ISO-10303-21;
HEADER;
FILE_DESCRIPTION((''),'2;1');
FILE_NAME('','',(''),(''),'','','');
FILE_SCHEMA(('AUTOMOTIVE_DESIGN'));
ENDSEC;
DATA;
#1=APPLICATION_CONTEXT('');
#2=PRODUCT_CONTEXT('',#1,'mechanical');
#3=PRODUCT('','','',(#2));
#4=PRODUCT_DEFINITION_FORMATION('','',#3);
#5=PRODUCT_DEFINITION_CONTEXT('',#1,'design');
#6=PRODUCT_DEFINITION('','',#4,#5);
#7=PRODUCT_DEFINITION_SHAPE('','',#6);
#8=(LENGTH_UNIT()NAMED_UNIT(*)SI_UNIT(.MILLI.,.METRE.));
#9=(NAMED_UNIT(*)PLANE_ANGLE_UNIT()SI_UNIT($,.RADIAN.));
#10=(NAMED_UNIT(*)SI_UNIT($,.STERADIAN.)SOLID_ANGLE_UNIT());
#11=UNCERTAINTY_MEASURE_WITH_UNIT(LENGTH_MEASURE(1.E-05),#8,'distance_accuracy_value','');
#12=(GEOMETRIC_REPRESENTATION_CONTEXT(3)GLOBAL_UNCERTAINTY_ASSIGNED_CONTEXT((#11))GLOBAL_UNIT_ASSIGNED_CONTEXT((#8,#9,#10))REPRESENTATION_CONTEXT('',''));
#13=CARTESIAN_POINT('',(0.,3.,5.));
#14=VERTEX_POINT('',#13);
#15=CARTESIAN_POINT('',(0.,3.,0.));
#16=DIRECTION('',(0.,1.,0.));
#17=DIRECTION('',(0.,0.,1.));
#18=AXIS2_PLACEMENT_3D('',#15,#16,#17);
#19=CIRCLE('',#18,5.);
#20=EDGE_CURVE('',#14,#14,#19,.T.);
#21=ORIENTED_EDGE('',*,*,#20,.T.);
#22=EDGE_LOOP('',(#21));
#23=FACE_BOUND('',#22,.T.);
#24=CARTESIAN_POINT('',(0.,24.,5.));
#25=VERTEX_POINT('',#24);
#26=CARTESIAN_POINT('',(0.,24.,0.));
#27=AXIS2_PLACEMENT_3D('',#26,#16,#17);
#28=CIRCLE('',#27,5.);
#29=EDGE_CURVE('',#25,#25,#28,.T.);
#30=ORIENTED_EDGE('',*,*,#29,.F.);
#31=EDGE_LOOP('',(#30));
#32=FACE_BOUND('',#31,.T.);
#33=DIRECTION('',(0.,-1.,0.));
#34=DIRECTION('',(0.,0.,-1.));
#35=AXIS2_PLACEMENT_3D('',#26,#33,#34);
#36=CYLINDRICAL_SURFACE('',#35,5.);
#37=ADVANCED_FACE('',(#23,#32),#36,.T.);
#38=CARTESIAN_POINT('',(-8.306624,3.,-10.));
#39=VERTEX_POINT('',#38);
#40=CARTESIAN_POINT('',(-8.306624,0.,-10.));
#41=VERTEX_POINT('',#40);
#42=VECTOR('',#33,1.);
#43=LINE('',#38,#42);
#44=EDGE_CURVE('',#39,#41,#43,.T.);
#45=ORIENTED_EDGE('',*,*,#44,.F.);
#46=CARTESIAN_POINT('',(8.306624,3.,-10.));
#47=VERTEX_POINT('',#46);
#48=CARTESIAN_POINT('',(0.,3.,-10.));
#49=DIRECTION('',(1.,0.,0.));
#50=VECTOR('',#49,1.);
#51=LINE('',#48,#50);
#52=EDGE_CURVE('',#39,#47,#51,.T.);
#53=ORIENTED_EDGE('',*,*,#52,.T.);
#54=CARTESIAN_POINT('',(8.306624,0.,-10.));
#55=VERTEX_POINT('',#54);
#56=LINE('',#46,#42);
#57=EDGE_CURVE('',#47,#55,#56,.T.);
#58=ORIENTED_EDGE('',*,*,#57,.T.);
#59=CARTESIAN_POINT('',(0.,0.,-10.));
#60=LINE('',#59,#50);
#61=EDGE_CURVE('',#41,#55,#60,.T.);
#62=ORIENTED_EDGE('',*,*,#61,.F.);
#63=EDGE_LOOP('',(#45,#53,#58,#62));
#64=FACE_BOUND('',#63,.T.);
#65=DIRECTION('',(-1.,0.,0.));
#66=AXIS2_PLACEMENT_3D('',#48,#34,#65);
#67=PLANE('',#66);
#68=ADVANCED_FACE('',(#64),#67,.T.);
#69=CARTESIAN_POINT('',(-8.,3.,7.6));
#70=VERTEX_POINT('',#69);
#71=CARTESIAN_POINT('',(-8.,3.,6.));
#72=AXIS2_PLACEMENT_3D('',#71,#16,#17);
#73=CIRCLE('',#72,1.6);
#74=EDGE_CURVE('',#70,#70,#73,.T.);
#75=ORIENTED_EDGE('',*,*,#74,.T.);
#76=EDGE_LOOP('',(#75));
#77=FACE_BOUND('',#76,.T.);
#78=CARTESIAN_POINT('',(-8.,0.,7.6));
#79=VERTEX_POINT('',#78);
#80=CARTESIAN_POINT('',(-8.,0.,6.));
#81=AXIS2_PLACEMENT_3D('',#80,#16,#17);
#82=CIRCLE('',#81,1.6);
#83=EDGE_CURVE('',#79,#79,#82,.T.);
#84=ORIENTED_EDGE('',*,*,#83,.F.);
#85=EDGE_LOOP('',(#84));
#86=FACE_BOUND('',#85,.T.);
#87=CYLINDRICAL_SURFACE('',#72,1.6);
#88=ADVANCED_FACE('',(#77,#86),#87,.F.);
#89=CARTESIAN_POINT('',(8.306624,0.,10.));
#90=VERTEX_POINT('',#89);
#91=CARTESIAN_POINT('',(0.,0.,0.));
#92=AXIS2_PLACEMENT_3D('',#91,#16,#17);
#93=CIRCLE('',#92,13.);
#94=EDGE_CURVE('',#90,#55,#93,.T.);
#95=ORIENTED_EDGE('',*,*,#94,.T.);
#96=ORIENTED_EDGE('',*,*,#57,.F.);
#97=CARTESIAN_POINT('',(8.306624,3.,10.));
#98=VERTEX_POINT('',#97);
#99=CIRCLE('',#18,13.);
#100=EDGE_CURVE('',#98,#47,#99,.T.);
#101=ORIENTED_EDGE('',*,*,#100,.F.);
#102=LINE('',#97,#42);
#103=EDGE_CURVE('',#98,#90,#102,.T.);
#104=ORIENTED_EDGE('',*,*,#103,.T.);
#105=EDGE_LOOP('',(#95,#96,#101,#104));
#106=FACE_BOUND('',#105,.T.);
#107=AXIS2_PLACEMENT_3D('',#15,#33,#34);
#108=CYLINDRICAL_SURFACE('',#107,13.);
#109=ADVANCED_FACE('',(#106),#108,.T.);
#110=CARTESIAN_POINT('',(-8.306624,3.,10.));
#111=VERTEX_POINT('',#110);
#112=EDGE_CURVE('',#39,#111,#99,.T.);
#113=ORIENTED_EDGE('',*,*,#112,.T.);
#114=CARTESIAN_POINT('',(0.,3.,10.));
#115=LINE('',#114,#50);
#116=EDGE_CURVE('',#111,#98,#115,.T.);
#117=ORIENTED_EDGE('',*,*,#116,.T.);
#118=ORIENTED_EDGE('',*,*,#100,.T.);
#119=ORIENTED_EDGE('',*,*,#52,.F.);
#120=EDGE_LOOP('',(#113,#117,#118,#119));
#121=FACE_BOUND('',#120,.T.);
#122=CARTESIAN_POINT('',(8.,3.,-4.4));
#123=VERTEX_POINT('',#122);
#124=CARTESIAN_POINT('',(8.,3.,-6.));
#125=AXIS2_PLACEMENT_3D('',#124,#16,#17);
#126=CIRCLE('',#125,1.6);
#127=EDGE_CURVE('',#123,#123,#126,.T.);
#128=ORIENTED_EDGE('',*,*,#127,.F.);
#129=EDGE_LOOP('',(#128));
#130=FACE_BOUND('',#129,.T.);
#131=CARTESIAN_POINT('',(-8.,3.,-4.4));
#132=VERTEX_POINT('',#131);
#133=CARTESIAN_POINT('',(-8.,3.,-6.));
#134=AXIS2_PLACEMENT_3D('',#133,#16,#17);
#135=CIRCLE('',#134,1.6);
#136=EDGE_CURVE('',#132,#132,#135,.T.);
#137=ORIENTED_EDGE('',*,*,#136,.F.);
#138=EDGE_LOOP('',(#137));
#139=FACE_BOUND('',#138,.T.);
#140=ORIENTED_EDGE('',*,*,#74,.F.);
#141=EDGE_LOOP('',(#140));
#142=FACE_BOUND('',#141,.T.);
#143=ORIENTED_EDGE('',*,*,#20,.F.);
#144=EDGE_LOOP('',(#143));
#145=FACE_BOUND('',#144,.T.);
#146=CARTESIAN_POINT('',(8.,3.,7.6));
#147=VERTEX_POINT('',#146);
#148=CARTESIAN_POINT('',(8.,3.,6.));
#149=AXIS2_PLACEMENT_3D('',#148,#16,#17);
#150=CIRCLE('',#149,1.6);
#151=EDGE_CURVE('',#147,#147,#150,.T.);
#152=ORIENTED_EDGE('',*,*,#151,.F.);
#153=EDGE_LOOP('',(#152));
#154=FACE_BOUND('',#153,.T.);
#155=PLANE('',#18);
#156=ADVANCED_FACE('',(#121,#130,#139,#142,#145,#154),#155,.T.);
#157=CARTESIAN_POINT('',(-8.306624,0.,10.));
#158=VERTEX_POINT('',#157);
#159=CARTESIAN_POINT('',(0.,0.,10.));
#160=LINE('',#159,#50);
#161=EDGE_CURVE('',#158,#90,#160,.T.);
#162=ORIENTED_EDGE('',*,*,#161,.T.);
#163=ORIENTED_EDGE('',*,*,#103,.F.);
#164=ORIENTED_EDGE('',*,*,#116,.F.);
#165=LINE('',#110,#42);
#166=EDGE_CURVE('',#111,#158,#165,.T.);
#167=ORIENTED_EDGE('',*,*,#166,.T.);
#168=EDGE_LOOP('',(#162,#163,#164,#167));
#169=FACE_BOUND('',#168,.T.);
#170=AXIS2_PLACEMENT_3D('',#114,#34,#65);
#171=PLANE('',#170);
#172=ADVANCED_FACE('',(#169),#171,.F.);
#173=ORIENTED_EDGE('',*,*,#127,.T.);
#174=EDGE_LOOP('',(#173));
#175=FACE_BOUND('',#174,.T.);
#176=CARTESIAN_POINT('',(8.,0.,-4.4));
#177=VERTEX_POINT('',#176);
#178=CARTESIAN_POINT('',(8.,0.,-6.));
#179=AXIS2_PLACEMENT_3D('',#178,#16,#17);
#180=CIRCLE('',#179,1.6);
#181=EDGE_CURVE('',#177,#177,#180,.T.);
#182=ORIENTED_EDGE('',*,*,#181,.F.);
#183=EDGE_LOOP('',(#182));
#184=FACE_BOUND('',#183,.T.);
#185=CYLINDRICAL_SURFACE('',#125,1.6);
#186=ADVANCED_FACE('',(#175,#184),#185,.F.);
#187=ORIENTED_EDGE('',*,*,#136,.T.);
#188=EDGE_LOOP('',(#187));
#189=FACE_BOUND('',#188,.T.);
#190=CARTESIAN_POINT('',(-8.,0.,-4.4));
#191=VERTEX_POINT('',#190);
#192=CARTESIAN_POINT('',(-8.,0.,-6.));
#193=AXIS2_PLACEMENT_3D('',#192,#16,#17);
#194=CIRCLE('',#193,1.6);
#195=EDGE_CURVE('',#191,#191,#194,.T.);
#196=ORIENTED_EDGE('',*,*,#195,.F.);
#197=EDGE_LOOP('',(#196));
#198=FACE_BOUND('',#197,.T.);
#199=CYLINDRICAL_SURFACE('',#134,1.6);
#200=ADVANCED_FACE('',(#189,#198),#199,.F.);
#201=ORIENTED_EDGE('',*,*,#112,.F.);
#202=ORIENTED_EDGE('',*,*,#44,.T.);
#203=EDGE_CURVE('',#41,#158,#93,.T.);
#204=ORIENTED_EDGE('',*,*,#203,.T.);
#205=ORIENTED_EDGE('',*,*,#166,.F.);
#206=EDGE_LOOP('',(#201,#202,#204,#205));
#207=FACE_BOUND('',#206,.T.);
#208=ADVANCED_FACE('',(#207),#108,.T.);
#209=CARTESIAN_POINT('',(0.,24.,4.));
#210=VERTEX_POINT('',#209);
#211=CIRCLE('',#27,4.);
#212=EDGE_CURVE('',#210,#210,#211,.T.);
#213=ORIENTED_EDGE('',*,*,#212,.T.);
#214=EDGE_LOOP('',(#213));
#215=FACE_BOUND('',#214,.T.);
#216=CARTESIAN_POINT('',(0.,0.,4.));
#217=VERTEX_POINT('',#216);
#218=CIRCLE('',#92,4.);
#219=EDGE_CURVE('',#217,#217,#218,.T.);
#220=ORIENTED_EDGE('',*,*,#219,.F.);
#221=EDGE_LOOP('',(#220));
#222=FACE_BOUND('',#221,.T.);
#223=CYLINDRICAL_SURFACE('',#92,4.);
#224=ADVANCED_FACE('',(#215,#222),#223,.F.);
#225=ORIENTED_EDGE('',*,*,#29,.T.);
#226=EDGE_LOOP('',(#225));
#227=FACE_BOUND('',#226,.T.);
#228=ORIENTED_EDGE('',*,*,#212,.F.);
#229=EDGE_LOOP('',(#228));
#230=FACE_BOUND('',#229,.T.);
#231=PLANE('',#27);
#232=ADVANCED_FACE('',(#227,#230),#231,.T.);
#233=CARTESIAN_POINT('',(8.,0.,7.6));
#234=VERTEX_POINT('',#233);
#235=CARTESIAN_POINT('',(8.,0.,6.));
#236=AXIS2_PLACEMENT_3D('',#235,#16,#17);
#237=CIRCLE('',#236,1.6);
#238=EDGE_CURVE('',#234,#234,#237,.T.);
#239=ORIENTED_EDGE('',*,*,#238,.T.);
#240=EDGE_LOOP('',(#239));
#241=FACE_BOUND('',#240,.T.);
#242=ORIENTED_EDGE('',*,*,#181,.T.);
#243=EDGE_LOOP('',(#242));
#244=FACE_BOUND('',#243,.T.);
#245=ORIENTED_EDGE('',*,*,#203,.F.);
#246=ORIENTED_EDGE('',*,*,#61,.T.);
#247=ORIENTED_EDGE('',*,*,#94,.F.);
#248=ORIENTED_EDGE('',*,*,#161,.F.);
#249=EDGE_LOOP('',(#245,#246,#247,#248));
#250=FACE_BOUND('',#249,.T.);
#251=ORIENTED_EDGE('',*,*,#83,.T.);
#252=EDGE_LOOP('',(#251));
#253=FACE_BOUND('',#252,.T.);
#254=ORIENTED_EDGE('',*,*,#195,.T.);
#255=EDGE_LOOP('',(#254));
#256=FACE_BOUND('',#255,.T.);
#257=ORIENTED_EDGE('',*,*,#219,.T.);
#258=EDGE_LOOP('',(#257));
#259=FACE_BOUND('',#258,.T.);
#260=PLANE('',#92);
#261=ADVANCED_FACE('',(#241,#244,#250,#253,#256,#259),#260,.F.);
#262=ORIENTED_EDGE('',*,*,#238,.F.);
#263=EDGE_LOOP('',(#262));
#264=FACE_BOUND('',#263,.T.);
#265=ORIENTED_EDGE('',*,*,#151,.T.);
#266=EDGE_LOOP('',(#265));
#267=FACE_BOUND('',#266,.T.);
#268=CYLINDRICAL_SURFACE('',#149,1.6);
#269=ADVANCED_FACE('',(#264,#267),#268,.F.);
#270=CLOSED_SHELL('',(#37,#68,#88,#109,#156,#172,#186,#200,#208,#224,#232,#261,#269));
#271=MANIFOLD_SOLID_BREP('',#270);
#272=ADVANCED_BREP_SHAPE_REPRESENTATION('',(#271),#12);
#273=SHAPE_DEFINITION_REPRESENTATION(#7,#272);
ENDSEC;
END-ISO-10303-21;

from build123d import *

# Parameters (mm, degrees)
SKETCH1_R                  = 5
BOSS_EXTRUDE1_DEPTH        = 24
BOSS_EXTRUDE2_DEPTH        = 3
SKETCH3_R                  = 4
CUT_EXTRUDE1_DEPTH         = 30.068883707
F_3_2_3_2_DIAMETER_HOLE1_D = 3.2


with BuildPart() as part:
    # Sketch1 → Boss-Extrude1 (new body)
    with BuildSketch(Plane(origin=(0, 0, 0), x_dir=(1, 0, 0), z_dir=(0, 1, 0))):
        with Locations(Location((0, 0, 0), (0, 0, 270))):
            Circle(SKETCH1_R)
    extrude(amount=BOSS_EXTRUDE1_DEPTH)

    # Sketch2 → Boss-Extrude2 (add)
    with BuildSketch(Plane(origin=(0, 0, 0), x_dir=(1, 0, 0), z_dir=(0, 1, 0))):
        with BuildLine():
            Line((8.306623863, 10), (-8.306623863, 10))
            ThreePointArc((-8.306623863, 10), (-11.768307238, 5.523309222), (-13, -2.7e-08))
            ThreePointArc((-13, -2.7e-08), (-11.768307226, -5.523309246), (-8.306623863, -10))
            Line((-8.306623863, -10), (8.306623863, -10))
            ThreePointArc((8.306623863, -10), (11.768307232, -5.523309234), (13, 0))
            ThreePointArc((13, 0), (11.768307232, 5.523309234), (8.306623863, 10))
        make_face()
    extrude(amount=BOSS_EXTRUDE2_DEPTH)

    # Sketch3 → Cut-Extrude1 (cut, through all)
    with BuildSketch(Plane(origin=(0, 24, 0), x_dir=(1, 0, 0), z_dir=(0, 1, 0))):
        with Locations(Location((0, 0, 0), (0, 0, 270))):
            Circle(SKETCH3_R)
    extrude(amount=-CUT_EXTRUDE1_DEPTH, mode=Mode.SUBTRACT)

    # Ø3.2 (3.2) Diameter Hole1 (through all)
    with Locations(Plane(origin=(8, 3, 6), x_dir=(0, 0, 1), z_dir=(0, 1, 0))):
        with Locations((0, 0), (-12, 0), (-12, -16), (0, -16)):
            Hole(F_3_2_3_2_DIAMETER_HOLE1_D / 2)


solid = part.part
